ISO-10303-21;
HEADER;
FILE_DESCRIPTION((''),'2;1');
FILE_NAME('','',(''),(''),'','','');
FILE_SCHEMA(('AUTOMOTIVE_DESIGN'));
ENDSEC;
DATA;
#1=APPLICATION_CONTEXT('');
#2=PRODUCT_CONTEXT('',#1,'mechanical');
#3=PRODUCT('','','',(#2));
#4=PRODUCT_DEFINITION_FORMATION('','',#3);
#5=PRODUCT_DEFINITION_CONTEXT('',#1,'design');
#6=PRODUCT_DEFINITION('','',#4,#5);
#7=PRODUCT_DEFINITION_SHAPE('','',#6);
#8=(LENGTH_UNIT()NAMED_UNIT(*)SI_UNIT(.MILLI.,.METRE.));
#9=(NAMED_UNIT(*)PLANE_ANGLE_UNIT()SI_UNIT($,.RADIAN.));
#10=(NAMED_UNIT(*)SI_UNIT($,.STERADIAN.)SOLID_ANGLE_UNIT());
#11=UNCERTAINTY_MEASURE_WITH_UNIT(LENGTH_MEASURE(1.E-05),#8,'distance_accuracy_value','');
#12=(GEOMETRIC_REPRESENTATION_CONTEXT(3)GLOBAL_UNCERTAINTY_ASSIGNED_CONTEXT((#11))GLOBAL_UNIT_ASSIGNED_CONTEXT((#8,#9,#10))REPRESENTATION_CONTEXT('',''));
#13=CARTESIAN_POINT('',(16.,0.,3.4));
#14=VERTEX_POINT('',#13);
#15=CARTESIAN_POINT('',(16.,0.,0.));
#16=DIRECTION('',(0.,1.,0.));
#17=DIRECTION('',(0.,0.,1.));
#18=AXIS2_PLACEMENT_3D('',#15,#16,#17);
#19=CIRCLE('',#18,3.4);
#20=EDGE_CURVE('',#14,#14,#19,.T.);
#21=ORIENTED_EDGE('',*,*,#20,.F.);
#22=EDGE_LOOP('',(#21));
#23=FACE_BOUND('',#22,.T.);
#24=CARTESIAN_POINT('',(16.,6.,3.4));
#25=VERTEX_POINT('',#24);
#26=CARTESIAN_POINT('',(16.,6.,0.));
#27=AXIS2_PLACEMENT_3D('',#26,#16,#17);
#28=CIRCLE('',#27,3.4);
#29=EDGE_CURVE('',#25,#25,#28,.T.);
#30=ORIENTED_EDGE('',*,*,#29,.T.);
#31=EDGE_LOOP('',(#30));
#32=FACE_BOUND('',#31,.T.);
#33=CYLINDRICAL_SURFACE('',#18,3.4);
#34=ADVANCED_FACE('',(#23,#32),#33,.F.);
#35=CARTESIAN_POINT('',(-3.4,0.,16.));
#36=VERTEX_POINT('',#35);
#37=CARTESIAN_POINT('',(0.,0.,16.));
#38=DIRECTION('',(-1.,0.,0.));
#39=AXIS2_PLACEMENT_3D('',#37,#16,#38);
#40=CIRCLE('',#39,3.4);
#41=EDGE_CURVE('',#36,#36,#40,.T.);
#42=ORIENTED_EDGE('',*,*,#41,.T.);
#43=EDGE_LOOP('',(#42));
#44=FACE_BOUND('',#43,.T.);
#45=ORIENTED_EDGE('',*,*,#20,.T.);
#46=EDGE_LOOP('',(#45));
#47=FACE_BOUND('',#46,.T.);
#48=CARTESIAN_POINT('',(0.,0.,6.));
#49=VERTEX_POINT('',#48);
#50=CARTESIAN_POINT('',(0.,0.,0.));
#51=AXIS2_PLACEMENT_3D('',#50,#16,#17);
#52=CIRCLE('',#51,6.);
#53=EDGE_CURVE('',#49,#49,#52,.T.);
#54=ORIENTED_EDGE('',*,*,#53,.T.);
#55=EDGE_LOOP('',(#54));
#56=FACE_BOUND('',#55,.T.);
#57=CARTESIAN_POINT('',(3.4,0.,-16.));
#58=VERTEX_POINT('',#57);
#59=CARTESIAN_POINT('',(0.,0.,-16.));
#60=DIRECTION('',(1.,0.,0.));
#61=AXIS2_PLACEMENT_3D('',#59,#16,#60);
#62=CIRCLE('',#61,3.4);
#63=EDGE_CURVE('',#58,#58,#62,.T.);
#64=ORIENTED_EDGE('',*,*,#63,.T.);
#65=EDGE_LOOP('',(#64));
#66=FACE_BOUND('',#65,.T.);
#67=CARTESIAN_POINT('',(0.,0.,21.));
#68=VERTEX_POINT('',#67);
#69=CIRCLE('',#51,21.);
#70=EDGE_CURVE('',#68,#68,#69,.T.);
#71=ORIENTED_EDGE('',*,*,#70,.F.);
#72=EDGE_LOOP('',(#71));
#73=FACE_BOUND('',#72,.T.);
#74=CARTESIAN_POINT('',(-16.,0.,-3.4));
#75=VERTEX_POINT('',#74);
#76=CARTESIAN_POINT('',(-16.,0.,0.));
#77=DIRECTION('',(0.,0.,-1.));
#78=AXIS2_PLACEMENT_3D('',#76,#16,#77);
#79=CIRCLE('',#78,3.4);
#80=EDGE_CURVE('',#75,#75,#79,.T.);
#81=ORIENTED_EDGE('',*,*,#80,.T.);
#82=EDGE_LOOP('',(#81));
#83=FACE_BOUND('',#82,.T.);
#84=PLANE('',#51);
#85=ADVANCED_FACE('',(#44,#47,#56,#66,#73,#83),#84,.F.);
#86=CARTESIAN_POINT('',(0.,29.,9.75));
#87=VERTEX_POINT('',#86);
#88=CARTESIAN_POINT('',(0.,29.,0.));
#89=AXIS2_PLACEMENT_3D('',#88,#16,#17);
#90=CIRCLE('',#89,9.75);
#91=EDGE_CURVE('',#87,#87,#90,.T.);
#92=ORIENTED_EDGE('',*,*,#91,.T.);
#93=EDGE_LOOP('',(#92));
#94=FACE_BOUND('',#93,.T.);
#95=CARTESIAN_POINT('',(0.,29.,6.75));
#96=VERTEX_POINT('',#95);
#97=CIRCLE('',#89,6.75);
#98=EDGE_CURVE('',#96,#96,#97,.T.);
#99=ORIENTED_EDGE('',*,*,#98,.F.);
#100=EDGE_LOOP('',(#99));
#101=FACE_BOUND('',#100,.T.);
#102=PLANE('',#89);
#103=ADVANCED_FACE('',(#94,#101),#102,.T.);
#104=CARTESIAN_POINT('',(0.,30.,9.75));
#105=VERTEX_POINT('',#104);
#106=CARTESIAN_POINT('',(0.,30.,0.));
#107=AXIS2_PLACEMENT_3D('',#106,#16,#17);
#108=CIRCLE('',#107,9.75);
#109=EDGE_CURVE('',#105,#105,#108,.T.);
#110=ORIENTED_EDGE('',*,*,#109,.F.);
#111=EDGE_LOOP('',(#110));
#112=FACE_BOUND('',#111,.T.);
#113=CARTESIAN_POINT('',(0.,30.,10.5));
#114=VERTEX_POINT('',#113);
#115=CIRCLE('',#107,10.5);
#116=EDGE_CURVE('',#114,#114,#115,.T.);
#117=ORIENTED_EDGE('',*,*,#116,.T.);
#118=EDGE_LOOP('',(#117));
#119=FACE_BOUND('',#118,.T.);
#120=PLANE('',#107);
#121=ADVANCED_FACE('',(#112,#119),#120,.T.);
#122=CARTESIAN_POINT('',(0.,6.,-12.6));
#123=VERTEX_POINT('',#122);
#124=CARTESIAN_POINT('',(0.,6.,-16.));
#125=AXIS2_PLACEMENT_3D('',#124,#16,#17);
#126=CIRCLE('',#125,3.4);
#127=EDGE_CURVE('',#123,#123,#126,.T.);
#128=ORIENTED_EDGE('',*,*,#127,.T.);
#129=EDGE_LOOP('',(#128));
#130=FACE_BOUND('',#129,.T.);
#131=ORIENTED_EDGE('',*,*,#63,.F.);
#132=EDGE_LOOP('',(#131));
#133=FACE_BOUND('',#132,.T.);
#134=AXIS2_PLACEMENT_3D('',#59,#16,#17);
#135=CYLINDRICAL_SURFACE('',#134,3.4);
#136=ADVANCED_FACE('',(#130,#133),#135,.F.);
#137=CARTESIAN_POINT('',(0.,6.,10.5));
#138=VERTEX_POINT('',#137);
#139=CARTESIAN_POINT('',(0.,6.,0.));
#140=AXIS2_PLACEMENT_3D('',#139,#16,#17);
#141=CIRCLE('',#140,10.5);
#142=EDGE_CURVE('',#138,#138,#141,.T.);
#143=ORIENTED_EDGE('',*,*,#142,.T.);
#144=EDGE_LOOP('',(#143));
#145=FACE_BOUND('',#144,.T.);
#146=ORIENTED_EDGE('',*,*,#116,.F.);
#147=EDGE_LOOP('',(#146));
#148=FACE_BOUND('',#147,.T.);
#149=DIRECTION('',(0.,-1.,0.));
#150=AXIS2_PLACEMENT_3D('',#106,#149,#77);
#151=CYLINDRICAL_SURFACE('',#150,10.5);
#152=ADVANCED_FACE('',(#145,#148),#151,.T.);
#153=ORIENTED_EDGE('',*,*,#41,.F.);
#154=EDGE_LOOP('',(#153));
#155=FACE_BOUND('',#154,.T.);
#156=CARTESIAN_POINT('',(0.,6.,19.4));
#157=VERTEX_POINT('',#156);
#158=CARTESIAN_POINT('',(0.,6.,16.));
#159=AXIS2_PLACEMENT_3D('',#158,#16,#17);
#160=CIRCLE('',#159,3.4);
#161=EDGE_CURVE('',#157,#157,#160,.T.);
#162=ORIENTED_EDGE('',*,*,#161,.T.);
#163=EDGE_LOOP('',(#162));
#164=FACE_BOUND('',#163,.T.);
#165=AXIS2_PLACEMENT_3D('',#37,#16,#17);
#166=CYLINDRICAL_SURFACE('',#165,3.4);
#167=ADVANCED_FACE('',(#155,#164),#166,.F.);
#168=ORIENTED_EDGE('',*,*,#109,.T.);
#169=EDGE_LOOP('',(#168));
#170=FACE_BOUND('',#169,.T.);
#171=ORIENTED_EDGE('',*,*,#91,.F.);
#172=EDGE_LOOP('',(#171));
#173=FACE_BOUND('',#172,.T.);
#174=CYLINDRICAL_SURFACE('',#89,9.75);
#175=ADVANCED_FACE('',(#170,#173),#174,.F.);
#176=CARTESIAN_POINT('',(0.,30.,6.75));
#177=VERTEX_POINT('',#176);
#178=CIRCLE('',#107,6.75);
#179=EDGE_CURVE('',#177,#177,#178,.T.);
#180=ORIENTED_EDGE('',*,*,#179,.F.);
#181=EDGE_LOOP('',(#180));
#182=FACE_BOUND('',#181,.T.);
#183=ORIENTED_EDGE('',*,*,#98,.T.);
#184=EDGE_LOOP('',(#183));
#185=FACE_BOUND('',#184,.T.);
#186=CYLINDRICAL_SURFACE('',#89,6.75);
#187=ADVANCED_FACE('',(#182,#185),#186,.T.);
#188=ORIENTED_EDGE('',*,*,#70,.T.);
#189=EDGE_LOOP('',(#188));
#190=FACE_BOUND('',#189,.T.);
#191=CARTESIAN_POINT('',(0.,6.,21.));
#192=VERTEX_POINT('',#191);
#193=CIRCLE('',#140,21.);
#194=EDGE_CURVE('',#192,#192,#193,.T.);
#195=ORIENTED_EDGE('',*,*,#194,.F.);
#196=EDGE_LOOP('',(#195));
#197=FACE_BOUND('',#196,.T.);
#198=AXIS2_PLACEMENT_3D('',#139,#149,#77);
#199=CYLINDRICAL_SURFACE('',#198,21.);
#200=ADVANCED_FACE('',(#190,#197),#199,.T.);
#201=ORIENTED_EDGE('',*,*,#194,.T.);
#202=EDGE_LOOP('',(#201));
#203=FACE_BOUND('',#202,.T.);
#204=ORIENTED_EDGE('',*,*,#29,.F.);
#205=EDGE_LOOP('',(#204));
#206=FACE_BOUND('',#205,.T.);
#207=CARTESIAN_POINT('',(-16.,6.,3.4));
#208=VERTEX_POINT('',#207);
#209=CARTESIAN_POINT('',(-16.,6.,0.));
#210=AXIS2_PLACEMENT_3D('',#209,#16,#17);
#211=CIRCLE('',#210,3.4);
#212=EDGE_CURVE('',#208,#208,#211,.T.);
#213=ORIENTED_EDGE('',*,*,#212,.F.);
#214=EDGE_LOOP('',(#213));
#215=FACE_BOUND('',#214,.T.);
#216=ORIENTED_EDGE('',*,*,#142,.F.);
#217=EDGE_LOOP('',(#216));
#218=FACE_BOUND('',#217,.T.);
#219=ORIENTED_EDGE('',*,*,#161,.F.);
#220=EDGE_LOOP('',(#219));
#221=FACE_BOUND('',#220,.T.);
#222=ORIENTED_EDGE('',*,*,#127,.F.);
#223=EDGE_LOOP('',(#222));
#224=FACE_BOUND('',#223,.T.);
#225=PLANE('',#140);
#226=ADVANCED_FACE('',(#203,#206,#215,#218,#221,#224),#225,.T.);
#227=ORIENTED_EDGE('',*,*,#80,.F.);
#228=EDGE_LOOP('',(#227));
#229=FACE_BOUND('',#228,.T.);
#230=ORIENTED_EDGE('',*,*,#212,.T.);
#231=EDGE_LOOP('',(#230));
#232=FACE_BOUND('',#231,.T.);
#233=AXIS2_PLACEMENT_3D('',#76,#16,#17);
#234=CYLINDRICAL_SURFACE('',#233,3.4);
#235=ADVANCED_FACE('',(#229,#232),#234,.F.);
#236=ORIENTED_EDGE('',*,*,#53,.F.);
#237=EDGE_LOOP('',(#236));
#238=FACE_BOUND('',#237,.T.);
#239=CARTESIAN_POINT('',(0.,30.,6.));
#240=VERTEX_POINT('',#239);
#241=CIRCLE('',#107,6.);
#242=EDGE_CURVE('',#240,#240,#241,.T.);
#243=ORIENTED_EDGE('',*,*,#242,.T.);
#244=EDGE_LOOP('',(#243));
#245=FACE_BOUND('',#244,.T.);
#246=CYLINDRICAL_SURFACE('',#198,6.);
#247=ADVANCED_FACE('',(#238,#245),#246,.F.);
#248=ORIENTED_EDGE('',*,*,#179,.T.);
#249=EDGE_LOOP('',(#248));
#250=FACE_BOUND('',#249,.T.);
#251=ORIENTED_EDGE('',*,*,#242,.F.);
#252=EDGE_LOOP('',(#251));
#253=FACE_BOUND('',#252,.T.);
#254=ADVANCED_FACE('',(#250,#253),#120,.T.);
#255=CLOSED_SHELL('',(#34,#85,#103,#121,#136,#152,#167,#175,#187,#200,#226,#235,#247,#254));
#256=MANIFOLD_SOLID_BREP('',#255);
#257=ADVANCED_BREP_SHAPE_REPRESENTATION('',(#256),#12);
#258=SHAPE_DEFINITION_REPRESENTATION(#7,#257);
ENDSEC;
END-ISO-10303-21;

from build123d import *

# Parameters (mm, degrees)
SKETCH1_R           = 21
SKETCH1_R_2         = 6
BOSS_EXTRUDE1_DEPTH = 6
SKETCH2_R           = 10.5
SKETCH2_R_2         = 6
BOSS_EXTRUDE2_DEPTH = 24
SKETCH3_R           = 9.75
SKETCH3_R_2         = 6.75
CUT_EXTRUDE1_DEPTH  = 1
CUT_EXTRUDE2_START  = -7
SKETCH4_R           = 3.4
CUT_EXTRUDE2_DEPTH  = 32
CIRPATTERN1_COUNT   = 4


with BuildPart() as part:
    # Sketch1 → Boss-Extrude1 (new body)
    with BuildSketch(Plane(origin=(0, 0, 0), x_dir=(1, 0, 0), z_dir=(0, 1, 0))):
        Circle(SKETCH1_R)
        Circle(SKETCH1_R_2, mode=Mode.SUBTRACT)
    extrude(amount=BOSS_EXTRUDE1_DEPTH)

    # Sketch2 → Boss-Extrude2 (add)
    with BuildSketch(Plane(origin=(0, 6, 0), x_dir=(1, 0, 0), z_dir=(0, 1, 0))):
        Circle(SKETCH2_R)
        Circle(SKETCH2_R_2, mode=Mode.SUBTRACT)
    extrude(amount=BOSS_EXTRUDE2_DEPTH)

    # Sketch3 → Cut-Extrude1 (cut)
    with BuildSketch(Plane(origin=(0, 30, 0), x_dir=(1, 0, 0), z_dir=(0, 1, 0))):
        Circle(SKETCH3_R)
        Circle(SKETCH3_R_2, mode=Mode.SUBTRACT)
    extrude(amount=-CUT_EXTRUDE1_DEPTH, mode=Mode.SUBTRACT)

    # Sketch4 → Cut-Extrude2 (cut)
    with BuildSketch(Plane(origin=(0, 6, 0), x_dir=(1, 0, 0), z_dir=(0, 1, 0)).offset(CUT_EXTRUDE2_START)):
        with Locations((16, 0)):
            Circle(SKETCH4_R)
    cut_extrude2 = extrude(amount=CUT_EXTRUDE2_DEPTH, mode=Mode.SUBTRACT)

    # CirPattern1: Cut-Extrude2 ×4 about axis
    cirpattern1_axis = Axis((0, 0, 0), (0, 1, 0))
    for i in range(1, CIRPATTERN1_COUNT):
        add(cut_extrude2.rotate(cirpattern1_axis, i * 360 / CIRPATTERN1_COUNT), mode=Mode.SUBTRACT)


solid = part.part
